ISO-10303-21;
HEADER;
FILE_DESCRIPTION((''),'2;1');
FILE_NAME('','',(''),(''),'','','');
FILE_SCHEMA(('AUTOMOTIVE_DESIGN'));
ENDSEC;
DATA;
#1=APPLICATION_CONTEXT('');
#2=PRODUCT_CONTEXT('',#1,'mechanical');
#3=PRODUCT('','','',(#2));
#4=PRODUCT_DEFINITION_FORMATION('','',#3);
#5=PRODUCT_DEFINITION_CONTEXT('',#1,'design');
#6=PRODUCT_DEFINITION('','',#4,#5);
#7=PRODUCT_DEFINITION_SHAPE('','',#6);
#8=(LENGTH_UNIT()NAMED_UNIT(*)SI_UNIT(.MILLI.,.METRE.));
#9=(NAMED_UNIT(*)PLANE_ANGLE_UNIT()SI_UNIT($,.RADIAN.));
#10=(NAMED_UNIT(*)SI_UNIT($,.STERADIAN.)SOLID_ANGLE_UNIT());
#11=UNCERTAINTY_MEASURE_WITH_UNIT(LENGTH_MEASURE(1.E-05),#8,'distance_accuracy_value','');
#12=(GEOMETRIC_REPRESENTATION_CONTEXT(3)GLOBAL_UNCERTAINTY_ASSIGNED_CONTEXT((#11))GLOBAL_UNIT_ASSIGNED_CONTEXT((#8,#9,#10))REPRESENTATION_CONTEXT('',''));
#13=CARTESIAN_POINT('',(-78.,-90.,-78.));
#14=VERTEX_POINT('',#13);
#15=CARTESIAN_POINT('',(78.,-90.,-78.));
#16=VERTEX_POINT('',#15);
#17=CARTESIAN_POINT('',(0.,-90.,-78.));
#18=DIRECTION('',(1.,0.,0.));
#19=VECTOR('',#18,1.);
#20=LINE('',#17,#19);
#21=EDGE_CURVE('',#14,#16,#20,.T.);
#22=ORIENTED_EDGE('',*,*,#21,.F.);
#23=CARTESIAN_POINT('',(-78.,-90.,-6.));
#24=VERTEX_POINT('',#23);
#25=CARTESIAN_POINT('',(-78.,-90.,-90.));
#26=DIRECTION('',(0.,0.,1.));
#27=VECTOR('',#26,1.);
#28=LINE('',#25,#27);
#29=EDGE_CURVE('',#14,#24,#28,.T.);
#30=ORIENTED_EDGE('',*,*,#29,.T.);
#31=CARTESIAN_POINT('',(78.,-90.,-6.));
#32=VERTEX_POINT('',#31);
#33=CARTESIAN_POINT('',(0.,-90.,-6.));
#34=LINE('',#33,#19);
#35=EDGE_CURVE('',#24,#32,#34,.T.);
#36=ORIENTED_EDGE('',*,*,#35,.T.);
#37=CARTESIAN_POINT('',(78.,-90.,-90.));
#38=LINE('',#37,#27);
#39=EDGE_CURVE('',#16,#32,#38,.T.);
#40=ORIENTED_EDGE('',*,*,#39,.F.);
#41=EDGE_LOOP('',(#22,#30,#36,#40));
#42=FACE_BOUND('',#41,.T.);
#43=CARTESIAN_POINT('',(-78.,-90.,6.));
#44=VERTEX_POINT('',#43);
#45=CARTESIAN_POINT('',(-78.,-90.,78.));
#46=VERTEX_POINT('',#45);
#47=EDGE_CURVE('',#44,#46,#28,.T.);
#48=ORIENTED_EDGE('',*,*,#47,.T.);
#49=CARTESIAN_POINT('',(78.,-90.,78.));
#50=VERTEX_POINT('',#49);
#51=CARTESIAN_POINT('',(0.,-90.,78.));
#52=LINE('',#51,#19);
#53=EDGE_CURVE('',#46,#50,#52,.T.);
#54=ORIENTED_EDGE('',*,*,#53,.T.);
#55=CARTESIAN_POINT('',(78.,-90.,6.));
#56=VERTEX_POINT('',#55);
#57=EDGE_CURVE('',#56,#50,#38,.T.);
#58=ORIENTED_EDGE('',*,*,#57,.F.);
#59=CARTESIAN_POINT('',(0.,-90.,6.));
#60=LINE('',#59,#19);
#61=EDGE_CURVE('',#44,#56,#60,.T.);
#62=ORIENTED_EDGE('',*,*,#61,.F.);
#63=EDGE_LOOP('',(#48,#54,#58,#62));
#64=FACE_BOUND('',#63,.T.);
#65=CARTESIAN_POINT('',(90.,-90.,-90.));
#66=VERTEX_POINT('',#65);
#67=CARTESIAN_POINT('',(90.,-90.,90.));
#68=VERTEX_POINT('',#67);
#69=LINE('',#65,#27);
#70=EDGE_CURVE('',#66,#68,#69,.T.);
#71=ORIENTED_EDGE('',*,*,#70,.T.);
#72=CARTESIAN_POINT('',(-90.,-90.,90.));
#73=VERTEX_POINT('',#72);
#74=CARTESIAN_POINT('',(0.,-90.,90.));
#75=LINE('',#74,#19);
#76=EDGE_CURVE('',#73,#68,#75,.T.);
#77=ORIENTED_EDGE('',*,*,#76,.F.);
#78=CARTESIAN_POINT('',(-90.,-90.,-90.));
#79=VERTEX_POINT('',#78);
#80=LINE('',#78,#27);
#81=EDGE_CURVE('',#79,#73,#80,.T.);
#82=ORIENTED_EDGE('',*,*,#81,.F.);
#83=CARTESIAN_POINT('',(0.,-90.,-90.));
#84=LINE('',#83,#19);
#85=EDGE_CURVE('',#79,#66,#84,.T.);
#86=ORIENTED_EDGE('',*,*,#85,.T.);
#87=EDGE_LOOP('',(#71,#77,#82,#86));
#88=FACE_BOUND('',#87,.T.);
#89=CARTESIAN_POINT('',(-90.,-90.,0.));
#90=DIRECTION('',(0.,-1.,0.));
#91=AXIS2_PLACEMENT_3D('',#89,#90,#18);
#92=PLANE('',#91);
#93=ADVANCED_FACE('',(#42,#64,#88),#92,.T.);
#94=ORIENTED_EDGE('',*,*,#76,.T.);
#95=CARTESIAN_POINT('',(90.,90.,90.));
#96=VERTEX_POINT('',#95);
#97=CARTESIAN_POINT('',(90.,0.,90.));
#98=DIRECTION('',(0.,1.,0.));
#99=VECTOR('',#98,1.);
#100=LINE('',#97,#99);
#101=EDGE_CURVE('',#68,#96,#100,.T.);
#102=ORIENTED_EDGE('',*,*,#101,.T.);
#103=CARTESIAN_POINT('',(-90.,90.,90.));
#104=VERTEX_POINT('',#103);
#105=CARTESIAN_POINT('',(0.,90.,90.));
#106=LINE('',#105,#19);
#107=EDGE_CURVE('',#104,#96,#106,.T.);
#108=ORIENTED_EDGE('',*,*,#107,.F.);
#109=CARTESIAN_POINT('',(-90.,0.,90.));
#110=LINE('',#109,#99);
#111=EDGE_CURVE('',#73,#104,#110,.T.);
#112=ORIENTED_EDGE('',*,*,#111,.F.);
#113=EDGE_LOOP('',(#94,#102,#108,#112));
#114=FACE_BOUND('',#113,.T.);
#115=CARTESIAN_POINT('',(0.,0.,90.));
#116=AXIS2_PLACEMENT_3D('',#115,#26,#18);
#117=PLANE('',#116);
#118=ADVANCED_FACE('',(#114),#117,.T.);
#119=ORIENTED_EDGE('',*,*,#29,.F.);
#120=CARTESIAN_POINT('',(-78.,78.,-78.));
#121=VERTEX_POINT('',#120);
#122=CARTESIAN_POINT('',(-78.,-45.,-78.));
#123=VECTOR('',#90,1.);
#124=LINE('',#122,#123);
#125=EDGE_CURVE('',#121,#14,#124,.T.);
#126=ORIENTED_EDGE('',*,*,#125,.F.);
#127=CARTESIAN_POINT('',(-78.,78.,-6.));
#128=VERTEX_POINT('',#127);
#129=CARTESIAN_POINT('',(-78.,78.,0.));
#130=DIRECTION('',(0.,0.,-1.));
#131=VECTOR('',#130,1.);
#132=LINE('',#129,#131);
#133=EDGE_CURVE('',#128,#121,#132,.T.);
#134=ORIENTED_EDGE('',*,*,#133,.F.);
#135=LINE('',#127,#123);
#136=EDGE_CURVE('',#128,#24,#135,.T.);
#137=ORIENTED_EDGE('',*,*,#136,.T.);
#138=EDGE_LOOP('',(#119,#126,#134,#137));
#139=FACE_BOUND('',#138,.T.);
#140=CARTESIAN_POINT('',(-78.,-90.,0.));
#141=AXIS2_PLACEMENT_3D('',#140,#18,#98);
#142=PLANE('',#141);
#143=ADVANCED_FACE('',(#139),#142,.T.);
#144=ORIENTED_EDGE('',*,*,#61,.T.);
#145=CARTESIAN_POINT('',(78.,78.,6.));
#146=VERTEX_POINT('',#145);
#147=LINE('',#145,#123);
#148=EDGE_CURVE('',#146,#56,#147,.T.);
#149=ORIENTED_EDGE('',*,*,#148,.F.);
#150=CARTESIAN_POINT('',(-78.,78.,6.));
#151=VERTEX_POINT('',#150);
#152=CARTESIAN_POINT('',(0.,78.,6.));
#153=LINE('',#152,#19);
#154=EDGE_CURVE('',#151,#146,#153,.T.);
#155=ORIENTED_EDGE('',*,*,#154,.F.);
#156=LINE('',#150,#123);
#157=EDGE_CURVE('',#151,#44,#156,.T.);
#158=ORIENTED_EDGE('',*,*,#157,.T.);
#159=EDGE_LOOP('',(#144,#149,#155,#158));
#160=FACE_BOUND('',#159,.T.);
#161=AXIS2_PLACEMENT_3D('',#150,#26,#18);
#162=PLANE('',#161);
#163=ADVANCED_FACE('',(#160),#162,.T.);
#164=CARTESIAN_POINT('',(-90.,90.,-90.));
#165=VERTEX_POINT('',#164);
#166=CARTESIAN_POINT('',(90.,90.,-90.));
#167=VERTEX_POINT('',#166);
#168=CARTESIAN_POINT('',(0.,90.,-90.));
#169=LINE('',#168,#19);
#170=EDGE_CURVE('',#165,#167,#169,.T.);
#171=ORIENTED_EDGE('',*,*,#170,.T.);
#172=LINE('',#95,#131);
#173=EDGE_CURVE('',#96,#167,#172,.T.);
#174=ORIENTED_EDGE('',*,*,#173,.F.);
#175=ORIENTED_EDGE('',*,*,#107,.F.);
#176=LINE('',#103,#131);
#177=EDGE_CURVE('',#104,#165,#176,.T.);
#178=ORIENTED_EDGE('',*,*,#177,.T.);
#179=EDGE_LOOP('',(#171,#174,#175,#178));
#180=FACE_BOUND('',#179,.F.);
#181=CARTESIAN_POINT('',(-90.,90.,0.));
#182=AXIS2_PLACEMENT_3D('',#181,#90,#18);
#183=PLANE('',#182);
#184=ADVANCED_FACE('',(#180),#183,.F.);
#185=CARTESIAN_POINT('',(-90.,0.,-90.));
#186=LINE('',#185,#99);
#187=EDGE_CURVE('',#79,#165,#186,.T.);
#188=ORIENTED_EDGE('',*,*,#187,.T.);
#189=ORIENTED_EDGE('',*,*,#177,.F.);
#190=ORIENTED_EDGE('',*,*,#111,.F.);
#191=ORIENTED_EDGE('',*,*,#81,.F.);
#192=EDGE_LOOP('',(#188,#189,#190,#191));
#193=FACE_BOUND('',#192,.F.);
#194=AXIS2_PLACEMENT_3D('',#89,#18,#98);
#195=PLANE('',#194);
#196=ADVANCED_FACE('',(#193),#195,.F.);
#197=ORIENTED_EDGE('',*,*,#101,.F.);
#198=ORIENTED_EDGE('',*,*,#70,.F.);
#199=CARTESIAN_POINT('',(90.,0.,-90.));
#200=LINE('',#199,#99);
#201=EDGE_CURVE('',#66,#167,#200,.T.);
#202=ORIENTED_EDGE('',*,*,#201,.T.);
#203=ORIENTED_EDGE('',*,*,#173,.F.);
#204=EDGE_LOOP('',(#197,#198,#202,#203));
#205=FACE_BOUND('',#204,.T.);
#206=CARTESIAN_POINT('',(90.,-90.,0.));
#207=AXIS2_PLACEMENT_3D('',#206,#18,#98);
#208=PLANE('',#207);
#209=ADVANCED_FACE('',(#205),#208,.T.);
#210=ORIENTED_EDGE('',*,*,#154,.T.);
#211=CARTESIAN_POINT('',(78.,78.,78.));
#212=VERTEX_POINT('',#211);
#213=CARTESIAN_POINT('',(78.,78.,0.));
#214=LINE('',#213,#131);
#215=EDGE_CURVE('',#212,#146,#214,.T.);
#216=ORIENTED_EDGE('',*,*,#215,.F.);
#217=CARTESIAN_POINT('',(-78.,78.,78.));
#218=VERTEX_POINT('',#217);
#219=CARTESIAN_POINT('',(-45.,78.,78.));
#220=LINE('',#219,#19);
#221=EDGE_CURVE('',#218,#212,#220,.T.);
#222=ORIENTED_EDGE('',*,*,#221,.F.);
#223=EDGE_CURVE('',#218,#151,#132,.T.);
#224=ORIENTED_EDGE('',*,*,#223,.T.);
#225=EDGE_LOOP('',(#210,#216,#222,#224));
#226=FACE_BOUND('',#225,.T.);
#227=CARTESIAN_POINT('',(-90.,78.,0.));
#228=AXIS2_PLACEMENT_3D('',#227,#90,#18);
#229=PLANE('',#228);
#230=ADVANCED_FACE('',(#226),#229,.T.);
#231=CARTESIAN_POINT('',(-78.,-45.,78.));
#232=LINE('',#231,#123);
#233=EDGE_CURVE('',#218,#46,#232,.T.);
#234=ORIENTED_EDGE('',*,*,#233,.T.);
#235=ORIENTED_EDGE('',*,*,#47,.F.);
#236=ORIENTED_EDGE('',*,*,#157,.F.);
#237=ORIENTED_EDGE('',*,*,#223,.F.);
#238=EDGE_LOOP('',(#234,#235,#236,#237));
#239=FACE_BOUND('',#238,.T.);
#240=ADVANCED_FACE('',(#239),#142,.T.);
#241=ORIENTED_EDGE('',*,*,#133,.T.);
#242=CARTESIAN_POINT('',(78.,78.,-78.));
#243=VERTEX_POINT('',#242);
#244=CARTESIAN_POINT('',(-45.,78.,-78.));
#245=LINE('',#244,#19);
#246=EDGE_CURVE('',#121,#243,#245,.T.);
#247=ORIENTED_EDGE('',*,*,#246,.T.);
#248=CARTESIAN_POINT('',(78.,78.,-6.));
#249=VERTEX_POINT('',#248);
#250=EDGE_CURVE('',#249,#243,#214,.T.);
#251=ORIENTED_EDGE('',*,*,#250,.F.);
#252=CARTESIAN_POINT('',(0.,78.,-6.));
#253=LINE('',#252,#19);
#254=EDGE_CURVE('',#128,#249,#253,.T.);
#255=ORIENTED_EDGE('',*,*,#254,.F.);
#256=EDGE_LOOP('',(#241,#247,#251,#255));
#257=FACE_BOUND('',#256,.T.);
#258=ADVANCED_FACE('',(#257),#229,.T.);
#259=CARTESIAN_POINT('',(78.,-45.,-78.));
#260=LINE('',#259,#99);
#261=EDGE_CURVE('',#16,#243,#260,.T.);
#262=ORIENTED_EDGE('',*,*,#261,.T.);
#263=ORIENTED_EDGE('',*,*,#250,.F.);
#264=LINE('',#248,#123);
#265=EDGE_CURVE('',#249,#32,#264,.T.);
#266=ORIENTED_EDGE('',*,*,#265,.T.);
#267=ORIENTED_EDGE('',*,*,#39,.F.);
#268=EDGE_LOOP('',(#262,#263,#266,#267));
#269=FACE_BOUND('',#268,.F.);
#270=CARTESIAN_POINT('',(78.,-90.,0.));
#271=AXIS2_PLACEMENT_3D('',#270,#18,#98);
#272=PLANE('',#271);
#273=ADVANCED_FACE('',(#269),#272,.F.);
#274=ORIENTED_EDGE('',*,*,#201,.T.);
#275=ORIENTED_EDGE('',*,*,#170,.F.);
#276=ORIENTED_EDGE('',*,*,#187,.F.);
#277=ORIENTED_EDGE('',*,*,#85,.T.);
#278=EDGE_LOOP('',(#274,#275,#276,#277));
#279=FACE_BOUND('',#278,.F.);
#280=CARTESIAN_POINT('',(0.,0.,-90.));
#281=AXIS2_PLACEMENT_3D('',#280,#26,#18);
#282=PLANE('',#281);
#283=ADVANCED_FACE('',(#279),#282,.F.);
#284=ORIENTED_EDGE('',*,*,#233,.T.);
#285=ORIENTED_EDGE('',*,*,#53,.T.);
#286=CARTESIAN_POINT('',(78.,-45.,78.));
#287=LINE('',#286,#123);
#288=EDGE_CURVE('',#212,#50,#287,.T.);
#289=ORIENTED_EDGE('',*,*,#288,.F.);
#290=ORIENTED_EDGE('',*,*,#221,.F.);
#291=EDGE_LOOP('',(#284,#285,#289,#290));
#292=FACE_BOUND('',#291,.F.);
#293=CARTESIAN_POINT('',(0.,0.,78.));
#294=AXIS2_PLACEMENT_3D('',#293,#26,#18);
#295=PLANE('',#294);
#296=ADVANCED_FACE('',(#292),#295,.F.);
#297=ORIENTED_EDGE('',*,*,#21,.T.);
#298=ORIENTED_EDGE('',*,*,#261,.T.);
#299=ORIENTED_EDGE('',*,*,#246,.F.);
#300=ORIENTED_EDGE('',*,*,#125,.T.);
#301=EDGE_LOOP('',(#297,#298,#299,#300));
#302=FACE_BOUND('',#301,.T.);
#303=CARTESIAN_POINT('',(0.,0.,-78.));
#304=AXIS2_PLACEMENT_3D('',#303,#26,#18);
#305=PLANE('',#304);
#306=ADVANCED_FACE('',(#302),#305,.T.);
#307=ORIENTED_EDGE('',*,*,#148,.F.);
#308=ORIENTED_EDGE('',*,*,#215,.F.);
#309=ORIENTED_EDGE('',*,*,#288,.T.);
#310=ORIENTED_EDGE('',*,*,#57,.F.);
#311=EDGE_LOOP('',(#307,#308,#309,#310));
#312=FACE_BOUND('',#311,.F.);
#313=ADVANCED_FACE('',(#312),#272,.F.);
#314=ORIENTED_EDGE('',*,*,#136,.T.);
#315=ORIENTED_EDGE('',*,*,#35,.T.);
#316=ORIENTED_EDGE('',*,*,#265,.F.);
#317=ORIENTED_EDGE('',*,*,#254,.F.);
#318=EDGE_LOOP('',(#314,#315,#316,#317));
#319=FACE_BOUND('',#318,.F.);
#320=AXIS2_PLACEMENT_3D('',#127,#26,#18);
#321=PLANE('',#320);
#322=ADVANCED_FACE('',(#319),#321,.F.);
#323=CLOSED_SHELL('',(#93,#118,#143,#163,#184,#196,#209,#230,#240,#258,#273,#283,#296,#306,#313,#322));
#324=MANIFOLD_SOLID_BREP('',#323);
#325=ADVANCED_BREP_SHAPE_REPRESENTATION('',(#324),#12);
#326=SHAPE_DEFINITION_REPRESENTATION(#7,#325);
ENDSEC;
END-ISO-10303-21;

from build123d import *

# Parameters (mm, degrees)
F0_W     = 180
F0_H     = 180
F1_DEPTH = 90
F2_T     = -12
F3_W     = 156
F3_H     = 12
F4_DEPTH = 168


with BuildPart() as f1:
    # F0 (on Top) → F1 (new body, symmetric)
    with BuildSketch(Plane.XY):
        Rectangle(F0_W, F0_H)
    extrude(amount=F1_DEPTH, both=True)

    # F2
    f2_openings = [f1.faces().sort_by_distance(p)[0] for p in [
        (0, -90, 0),
    ]]
    offset(amount=F2_T, openings=f2_openings)

    # F3 (on face) → F4 (join)
    with BuildSketch(Plane.XZ.offset(-78)):
        Rectangle(F3_W, F3_H)
    extrude(amount=F4_DEPTH)


solid = f1.part
